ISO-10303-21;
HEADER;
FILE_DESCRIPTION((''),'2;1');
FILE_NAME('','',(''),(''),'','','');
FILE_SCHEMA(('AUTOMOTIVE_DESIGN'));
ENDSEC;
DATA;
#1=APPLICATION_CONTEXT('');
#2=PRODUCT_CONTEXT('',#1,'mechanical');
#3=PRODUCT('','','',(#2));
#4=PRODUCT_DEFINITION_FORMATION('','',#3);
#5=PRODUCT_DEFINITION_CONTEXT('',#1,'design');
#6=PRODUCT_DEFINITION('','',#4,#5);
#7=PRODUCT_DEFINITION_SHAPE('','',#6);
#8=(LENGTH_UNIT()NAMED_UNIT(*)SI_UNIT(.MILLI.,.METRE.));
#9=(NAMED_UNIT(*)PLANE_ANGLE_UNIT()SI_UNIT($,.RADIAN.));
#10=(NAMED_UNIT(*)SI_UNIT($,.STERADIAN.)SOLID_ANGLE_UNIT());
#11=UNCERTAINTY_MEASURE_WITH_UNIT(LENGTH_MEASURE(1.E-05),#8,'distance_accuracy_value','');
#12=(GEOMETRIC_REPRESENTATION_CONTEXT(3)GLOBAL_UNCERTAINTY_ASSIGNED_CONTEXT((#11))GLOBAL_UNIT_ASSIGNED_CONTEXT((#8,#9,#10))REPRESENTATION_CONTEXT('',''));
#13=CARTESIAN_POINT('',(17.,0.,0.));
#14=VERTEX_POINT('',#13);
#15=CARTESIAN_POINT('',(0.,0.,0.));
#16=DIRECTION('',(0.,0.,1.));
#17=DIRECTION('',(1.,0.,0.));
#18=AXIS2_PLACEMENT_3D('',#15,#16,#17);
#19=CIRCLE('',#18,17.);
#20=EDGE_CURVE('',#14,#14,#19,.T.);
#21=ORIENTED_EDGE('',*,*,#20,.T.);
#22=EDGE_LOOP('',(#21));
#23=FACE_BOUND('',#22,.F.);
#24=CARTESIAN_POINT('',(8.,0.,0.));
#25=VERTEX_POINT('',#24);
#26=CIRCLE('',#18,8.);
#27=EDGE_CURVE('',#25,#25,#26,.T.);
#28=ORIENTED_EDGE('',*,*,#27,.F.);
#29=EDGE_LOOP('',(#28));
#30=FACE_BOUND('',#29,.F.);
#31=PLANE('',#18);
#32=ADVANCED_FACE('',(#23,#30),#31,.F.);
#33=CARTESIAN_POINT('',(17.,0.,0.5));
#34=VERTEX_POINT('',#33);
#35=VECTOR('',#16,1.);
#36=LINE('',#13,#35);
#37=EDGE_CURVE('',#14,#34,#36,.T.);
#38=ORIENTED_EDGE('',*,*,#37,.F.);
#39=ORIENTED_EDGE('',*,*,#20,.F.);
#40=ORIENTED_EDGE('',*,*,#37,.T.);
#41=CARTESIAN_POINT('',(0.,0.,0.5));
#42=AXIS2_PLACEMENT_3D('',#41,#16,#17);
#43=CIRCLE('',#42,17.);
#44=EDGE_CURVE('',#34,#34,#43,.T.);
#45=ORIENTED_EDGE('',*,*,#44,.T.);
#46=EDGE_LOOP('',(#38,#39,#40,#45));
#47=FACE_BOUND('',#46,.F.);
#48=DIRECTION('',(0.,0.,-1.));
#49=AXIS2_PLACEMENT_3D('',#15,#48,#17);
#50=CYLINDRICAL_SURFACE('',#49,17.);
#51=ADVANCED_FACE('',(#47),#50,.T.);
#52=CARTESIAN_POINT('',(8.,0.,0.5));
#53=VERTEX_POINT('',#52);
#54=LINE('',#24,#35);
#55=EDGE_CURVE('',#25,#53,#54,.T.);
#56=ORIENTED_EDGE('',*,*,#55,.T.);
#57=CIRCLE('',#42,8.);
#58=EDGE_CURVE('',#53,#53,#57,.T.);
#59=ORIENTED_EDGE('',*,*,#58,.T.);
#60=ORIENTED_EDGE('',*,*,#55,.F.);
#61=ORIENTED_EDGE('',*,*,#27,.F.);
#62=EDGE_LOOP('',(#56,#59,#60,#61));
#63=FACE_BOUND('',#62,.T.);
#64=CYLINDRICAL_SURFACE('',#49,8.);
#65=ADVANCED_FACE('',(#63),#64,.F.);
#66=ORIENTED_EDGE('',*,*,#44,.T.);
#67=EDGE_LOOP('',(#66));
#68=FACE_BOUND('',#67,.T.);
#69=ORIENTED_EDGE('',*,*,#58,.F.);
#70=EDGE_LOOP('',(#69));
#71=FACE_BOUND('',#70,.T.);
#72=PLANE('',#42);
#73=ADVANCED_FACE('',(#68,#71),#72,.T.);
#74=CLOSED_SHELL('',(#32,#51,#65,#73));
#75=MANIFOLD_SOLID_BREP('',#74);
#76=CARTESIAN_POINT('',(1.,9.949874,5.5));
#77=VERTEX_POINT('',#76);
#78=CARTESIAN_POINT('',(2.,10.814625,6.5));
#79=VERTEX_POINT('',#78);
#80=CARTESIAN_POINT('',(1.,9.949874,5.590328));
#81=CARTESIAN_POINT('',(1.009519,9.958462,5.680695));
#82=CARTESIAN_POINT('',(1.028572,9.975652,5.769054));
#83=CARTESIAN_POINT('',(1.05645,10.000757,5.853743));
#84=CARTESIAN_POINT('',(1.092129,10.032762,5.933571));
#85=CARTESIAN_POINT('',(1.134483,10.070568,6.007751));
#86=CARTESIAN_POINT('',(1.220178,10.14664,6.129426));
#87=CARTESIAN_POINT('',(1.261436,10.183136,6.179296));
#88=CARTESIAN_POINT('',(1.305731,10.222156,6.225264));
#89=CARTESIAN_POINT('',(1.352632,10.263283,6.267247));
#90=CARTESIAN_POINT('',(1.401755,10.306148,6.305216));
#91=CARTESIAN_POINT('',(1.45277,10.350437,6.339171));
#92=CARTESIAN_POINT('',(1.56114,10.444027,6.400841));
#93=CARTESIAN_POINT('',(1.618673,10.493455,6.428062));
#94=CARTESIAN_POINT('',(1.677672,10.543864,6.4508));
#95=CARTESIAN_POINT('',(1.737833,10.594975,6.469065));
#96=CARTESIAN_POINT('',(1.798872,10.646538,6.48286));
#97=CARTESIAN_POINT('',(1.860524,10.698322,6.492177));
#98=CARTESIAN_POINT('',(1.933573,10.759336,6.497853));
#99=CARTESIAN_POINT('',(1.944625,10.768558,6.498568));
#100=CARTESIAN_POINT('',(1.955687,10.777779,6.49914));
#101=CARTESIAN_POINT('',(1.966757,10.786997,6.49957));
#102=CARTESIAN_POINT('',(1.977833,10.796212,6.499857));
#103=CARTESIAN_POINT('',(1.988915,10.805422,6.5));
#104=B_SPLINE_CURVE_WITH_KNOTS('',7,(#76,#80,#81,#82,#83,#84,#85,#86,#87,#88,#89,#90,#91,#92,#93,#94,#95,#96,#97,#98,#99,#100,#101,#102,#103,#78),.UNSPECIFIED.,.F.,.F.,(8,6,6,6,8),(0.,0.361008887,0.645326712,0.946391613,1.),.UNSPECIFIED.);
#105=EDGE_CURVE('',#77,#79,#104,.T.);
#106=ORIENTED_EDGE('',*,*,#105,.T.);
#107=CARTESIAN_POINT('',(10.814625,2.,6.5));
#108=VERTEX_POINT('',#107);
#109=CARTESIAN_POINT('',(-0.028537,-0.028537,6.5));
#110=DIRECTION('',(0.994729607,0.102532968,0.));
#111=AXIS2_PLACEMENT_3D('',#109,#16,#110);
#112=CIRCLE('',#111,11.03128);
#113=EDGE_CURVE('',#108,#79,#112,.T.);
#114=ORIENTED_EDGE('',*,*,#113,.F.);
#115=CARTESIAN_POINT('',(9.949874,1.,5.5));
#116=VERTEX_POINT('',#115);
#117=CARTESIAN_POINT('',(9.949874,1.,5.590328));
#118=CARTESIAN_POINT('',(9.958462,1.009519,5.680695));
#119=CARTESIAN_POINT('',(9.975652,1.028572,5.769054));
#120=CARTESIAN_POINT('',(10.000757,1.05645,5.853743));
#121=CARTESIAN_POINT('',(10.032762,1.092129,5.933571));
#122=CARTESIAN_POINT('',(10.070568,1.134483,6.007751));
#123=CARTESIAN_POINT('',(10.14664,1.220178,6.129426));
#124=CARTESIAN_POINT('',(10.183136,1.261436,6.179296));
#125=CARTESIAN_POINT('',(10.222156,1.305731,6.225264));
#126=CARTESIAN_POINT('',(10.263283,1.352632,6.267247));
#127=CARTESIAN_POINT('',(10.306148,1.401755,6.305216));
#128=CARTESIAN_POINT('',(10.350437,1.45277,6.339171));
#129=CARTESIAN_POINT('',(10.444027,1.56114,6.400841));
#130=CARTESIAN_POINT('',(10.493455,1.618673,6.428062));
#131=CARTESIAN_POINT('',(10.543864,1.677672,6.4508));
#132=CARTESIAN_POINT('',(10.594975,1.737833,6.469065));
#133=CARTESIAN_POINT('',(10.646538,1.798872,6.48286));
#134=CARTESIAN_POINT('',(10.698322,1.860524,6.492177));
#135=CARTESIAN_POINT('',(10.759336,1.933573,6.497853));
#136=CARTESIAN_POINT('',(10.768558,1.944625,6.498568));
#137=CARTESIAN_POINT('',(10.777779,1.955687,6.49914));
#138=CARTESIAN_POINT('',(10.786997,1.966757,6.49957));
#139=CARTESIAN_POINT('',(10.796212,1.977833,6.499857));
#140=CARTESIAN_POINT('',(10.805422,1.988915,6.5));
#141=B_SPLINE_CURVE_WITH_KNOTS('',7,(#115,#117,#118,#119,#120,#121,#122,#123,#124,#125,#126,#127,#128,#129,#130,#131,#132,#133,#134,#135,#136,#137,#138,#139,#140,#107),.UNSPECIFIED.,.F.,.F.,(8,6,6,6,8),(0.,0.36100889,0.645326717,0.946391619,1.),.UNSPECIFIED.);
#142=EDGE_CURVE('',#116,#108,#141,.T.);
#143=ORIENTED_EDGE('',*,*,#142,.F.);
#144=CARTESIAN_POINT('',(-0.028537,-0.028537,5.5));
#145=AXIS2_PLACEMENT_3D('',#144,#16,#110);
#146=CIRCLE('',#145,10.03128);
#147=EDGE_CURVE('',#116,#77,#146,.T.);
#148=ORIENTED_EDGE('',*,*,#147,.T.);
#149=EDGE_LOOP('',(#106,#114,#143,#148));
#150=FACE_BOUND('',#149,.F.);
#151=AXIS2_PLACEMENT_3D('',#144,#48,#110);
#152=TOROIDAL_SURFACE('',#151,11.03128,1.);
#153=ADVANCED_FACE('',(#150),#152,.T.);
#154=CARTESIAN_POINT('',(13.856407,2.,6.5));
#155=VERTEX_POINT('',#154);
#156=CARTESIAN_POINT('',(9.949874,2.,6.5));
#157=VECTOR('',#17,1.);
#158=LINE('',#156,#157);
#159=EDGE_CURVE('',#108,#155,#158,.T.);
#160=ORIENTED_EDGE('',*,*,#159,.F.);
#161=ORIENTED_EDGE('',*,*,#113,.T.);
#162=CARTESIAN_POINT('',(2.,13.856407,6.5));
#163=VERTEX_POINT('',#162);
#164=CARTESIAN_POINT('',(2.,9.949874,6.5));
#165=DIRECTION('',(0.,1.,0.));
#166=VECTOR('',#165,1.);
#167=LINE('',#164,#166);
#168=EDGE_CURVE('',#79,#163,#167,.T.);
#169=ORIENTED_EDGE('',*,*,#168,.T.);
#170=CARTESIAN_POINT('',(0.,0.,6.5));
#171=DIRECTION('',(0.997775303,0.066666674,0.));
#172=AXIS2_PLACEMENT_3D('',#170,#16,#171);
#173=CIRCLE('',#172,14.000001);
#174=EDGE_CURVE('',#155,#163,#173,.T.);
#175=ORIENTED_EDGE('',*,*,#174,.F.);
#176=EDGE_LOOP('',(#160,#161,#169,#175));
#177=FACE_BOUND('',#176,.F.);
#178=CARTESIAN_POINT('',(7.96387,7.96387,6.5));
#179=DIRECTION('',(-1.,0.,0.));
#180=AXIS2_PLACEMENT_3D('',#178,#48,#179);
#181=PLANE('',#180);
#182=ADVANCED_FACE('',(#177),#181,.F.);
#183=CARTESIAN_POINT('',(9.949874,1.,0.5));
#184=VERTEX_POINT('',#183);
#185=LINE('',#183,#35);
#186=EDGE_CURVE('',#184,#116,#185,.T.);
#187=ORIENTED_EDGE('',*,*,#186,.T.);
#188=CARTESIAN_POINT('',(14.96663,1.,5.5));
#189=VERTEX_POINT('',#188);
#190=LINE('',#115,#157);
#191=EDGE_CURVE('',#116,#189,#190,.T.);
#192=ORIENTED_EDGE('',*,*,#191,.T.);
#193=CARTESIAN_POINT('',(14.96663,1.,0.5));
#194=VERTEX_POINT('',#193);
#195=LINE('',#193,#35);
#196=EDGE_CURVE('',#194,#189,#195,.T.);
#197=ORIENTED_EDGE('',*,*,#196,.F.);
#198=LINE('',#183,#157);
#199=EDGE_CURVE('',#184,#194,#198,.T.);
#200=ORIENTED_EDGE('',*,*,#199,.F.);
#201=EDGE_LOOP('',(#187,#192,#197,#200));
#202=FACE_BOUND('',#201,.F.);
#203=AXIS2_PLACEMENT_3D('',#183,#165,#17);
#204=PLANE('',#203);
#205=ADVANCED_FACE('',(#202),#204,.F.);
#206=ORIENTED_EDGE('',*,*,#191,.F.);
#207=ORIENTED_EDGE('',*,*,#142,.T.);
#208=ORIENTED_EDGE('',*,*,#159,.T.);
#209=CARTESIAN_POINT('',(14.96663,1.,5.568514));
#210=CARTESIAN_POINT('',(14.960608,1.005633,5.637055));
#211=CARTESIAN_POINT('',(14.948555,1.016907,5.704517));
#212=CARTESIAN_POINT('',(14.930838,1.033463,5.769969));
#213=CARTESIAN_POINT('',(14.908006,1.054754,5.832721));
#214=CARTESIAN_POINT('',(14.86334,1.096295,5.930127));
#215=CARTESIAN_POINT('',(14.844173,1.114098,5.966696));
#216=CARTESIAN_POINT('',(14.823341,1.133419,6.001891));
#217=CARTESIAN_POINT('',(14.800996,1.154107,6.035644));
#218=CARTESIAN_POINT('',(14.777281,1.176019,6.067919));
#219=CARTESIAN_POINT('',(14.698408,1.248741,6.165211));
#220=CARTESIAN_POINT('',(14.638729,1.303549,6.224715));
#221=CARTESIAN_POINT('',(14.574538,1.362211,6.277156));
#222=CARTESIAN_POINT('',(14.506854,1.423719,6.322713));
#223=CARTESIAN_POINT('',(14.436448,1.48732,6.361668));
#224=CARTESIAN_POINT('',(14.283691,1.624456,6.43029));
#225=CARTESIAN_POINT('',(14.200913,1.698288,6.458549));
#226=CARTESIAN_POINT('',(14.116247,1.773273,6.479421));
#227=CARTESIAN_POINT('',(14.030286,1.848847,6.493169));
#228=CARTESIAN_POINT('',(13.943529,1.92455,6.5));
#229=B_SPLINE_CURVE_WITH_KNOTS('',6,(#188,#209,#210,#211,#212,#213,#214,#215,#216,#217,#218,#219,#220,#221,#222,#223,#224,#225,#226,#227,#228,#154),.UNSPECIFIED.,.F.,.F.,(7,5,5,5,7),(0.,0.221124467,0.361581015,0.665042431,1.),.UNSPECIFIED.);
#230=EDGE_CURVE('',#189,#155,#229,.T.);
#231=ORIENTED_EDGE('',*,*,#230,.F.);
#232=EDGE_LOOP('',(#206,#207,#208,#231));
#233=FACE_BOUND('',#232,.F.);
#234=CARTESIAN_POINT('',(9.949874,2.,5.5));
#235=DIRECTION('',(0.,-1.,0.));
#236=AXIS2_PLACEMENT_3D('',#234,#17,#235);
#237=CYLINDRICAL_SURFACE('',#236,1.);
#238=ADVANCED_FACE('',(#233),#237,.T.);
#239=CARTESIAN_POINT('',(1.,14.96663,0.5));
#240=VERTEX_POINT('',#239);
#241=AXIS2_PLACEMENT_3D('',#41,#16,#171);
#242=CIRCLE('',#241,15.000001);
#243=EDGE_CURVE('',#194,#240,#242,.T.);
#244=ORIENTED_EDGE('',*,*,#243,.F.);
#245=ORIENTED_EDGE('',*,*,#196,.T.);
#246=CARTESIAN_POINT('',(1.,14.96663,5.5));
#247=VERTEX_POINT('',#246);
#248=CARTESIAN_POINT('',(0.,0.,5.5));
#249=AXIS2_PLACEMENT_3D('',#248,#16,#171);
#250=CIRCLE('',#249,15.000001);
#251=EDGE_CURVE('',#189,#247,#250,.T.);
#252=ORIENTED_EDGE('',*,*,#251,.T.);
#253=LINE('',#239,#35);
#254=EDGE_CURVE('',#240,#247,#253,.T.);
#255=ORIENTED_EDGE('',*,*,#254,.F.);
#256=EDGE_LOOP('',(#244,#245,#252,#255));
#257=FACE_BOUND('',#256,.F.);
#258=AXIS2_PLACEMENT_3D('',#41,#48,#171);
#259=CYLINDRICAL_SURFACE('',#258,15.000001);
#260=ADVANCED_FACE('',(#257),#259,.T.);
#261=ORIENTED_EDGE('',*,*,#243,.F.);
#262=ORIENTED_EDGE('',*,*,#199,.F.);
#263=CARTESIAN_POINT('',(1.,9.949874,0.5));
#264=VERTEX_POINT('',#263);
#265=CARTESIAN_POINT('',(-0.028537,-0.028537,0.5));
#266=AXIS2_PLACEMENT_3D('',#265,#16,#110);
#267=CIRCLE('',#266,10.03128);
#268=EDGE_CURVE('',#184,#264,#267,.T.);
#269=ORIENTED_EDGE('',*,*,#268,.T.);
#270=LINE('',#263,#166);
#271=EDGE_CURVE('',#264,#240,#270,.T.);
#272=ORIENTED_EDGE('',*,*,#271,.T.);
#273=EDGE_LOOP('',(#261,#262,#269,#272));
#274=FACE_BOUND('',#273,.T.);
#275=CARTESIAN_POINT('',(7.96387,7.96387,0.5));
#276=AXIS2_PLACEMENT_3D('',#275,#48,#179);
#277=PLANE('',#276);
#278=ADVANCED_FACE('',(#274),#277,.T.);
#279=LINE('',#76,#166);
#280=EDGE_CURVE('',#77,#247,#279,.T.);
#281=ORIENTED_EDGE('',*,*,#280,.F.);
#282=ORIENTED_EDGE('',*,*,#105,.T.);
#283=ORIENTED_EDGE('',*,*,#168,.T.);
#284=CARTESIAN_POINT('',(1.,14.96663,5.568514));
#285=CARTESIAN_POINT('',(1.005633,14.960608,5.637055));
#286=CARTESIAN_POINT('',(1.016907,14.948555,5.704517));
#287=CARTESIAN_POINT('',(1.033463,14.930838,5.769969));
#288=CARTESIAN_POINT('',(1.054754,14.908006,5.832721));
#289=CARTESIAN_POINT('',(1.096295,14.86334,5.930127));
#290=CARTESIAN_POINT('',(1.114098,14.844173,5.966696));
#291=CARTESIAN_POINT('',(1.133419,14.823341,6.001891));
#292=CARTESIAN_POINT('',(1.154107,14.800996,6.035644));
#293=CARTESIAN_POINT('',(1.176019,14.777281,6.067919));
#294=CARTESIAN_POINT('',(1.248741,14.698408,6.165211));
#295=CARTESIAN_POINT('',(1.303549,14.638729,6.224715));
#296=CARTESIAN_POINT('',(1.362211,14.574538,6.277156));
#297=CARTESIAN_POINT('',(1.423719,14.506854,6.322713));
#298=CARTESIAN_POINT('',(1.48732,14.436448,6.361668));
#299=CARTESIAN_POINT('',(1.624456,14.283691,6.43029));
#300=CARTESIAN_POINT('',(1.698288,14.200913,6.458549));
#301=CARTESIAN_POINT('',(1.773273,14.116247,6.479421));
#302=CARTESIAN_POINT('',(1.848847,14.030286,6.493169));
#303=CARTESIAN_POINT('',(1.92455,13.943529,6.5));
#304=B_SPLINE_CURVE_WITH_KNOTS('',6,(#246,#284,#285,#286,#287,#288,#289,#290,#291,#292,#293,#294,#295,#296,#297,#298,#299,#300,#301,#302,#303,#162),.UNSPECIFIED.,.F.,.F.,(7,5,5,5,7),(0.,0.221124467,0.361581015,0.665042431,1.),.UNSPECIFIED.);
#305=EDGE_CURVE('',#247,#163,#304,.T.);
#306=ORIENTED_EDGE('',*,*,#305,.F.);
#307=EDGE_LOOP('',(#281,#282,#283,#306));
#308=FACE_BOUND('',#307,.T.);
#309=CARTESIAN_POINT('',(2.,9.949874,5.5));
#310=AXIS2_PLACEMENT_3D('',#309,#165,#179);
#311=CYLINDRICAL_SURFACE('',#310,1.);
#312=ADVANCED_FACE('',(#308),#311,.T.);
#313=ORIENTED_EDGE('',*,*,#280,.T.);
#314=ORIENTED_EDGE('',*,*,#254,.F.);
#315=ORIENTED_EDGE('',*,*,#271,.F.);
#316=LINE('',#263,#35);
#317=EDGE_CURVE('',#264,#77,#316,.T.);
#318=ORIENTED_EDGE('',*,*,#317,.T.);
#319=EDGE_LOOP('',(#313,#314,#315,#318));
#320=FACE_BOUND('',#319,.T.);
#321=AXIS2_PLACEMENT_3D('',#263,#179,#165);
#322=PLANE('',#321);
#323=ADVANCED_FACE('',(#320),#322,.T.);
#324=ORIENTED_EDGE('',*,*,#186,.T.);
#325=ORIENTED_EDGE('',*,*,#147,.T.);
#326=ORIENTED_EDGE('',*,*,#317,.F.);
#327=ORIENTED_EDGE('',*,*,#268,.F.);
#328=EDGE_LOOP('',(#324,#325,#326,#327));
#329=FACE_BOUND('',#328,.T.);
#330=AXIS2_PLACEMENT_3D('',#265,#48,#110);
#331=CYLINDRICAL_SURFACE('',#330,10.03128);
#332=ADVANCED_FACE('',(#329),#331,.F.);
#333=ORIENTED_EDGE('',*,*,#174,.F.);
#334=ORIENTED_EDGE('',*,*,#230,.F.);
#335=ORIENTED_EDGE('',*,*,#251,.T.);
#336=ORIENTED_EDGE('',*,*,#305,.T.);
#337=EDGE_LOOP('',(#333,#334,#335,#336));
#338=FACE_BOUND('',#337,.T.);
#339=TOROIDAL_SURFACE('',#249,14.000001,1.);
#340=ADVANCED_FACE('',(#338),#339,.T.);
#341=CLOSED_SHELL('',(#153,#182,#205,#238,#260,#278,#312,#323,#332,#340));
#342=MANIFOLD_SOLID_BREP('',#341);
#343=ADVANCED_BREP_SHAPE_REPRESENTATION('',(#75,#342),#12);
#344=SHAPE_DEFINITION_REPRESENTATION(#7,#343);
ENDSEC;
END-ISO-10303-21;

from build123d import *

# Parameters (mm, degrees)
SKETCH002_R  = 8
PAD002_DEPTH = 0.5
SKETCH_R     = 17
PAD_DEPTH    = 0.5
PAD003_DEPTH = 6
FILLET_R     = 1


with BuildPart() as pad002:
    # Sketch002 → Pad002 (new body)
    with BuildSketch(Plane.XY):
        Circle(SKETCH002_R)
    extrude(amount=PAD002_DEPTH)


with BuildPart() as cut:
    # Sketch → Pad (new body)
    with BuildSketch(Plane.XY):
        Circle(SKETCH_R)
    extrude(amount=PAD_DEPTH)

    # Cut: cut Pad002
    add(pad002.part, mode=Mode.SUBTRACT)


with BuildPart() as fillet_body:
    # Sketch003 → Pad003 (new body)
    with BuildSketch(Plane.XY.offset(0.5)):
        with BuildLine():
            Line((1, 9.949874), (1, 14.96663))
            ThreePointArc((14.96663, 1), (10.606602, 10.606602), (1, 14.96663))
            Line((9.949874, 1), (14.96663, 1))
            ThreePointArc((9.949874, 1), (7.064649, 7.064649), (1, 9.949874))
        make_face()
    extrude(amount=PAD003_DEPTH)

    # Fillet
    fillet_edges = [fillet_body.edges().sort_by_distance(p)[0] for p in [
        (7.064649, 7.064649, 6.5),
        (12.458252, 1, 6.5),
        (10.606602, 10.606602, 6.5),
        (1, 12.458252, 6.5),
    ]]
    fillet(fillet_edges, radius=FILLET_R)


solid = Compound([cut.part, fillet_body.part])
